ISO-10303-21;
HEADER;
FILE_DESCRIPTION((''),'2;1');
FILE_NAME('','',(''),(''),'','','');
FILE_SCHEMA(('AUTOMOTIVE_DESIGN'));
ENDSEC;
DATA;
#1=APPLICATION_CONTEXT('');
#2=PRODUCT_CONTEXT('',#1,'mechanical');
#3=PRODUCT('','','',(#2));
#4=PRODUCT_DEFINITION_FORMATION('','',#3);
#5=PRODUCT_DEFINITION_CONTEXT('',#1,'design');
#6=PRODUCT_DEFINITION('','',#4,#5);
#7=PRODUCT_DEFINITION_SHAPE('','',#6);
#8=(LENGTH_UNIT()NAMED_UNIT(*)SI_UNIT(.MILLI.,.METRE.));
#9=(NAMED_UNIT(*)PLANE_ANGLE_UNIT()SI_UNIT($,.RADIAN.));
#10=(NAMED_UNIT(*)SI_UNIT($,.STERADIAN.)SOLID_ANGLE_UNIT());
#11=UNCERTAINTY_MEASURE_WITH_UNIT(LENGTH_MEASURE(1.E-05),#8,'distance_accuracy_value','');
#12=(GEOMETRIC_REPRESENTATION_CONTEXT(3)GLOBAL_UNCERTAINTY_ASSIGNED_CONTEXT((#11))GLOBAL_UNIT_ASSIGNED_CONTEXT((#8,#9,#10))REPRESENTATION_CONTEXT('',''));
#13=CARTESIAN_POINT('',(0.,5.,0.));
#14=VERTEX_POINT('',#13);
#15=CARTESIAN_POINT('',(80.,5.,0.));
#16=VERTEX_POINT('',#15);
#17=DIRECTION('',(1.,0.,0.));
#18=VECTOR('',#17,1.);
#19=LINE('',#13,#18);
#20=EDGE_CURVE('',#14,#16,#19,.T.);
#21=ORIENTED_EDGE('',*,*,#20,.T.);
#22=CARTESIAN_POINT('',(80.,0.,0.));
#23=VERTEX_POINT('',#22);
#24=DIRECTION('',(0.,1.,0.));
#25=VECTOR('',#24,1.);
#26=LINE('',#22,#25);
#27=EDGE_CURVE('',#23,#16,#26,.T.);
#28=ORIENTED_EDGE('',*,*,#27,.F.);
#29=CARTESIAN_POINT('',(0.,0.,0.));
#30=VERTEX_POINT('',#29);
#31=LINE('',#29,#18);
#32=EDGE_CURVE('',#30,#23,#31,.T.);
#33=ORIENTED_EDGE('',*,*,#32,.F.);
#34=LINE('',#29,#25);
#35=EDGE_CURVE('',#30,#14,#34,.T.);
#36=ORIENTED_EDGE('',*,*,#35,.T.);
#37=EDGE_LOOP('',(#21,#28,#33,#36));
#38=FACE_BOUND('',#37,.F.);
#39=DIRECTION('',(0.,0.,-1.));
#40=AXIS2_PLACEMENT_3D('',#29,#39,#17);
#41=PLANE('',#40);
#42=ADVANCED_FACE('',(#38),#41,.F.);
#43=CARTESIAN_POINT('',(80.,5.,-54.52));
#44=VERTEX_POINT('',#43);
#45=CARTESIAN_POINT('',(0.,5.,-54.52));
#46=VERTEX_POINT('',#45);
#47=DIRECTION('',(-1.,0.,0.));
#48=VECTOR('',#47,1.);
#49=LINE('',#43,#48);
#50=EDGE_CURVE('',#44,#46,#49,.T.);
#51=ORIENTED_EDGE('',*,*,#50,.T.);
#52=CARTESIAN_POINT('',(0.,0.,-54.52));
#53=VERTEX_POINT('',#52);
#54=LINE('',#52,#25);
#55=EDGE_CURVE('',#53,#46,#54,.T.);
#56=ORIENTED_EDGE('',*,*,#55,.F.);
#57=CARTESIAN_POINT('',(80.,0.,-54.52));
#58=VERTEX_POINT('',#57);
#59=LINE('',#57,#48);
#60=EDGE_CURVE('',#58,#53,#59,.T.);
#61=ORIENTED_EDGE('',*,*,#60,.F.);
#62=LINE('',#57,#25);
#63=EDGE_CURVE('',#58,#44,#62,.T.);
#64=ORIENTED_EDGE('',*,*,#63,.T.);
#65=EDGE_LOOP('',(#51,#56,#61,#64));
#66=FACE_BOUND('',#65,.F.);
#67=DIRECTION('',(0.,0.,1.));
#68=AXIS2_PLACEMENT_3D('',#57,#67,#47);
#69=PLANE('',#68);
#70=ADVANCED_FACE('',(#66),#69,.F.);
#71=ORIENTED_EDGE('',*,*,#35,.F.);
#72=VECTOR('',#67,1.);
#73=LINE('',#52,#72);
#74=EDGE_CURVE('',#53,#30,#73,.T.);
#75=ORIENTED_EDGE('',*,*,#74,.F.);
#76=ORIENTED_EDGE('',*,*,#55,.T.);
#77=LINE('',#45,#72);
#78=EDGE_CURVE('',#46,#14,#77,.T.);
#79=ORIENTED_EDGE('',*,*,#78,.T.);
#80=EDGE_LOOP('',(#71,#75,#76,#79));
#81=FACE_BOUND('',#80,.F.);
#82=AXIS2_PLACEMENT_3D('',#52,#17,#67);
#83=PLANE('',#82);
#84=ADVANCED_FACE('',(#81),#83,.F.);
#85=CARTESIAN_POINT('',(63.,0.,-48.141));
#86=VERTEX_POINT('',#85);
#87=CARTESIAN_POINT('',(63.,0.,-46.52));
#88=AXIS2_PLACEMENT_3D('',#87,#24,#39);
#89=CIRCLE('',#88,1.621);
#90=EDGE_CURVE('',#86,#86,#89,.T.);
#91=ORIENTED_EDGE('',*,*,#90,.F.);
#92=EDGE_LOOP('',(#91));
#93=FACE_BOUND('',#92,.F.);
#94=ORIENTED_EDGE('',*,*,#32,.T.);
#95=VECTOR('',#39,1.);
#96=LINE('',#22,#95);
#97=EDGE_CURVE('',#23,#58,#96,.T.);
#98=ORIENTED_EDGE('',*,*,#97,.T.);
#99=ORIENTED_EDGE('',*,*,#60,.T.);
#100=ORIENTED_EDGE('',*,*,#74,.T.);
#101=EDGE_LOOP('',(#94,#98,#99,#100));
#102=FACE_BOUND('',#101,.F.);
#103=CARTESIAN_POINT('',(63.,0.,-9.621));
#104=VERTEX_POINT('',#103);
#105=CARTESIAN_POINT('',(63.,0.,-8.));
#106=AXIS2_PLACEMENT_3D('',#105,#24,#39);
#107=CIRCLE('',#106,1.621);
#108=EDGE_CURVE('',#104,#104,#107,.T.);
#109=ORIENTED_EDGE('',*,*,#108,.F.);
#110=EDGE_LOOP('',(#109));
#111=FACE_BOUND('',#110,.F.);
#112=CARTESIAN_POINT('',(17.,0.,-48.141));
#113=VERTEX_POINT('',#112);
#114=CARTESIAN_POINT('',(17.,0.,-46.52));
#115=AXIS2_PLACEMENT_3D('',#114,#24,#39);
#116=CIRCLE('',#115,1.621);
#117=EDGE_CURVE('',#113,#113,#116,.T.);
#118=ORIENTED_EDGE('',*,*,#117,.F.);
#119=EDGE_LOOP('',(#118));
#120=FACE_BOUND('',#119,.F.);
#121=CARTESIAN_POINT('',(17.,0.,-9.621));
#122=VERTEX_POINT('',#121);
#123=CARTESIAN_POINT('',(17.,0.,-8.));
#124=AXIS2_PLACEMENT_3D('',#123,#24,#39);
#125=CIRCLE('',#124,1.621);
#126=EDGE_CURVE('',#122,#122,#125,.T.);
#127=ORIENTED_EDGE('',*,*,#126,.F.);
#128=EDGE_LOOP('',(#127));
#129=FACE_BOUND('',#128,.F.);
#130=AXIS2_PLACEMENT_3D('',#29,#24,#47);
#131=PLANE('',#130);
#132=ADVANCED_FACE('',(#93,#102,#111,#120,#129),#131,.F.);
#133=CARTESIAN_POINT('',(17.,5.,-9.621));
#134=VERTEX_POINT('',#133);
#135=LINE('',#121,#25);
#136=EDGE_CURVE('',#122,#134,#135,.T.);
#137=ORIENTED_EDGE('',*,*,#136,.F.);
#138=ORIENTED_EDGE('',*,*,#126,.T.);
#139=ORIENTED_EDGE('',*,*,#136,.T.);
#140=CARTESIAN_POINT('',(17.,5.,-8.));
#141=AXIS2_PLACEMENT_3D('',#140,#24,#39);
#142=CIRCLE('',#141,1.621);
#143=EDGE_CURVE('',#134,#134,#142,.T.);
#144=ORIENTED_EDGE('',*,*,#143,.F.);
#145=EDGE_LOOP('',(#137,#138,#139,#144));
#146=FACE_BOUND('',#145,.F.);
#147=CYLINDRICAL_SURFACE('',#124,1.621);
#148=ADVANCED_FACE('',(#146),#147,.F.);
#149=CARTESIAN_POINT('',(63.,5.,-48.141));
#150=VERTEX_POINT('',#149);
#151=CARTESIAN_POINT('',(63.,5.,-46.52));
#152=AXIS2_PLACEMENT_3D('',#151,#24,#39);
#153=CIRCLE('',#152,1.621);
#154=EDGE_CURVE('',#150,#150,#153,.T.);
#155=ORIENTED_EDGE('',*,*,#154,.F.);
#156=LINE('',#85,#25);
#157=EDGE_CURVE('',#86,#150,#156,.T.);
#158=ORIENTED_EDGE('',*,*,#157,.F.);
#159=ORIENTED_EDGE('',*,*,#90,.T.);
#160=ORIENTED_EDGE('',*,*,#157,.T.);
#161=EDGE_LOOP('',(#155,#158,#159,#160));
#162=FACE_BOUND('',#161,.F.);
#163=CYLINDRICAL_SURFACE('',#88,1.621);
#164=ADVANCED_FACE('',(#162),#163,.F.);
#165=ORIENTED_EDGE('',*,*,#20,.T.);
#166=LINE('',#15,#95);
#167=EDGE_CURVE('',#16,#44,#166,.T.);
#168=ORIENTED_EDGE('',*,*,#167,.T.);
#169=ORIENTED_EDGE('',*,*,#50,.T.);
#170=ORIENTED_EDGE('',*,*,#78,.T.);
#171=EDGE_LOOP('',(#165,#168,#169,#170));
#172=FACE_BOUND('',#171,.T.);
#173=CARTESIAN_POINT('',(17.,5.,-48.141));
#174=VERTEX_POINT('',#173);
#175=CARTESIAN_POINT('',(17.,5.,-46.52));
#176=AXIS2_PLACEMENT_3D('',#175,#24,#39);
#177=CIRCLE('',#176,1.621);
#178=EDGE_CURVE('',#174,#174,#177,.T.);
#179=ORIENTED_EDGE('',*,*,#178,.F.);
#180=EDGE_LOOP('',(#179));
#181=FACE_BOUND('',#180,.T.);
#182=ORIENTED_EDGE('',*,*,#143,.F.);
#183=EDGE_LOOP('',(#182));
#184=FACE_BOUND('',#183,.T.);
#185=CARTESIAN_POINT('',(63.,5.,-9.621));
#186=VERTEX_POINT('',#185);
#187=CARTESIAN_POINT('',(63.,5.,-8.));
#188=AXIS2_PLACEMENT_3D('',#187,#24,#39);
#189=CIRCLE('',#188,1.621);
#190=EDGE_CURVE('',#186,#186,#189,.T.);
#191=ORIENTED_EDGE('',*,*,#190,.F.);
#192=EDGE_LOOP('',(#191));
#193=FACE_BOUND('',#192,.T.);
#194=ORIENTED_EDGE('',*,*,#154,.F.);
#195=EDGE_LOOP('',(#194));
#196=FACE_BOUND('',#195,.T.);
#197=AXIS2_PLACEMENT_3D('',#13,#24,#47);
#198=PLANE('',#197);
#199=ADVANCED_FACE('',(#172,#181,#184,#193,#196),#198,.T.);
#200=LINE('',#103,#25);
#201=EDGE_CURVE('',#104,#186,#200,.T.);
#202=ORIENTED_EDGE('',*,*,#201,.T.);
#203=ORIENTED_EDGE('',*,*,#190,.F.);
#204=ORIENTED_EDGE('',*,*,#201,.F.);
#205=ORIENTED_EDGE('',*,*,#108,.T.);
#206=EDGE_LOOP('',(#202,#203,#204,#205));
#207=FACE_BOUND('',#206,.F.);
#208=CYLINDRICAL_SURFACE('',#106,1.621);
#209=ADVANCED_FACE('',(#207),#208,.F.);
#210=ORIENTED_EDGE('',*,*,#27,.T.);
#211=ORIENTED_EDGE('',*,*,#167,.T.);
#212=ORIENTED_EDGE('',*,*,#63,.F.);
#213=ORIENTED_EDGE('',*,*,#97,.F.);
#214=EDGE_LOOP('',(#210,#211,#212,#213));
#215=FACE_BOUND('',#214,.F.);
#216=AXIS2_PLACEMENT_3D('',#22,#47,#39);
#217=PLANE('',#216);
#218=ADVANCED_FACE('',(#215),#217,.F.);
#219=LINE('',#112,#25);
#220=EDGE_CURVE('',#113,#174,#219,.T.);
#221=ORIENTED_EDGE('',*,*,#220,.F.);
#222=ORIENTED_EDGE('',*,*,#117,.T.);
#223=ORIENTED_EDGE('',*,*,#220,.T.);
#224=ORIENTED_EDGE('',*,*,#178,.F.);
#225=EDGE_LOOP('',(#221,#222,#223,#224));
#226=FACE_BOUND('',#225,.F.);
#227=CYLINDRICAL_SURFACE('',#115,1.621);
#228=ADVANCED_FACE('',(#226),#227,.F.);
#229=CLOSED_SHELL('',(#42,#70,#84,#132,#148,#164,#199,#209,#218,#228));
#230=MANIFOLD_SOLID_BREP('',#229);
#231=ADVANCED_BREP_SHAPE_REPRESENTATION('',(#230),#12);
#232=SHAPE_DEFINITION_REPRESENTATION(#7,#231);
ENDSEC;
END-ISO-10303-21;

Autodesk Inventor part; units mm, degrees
ref_plane "YZ Plane" through (0, 0, 0) normal (1, 0, 0) x (0, 1, 0)
ref_plane "XZ Plane" through (0, 0, 0) normal (0, 1, 0) x (-1, 0, 0)
ref_plane "XY Plane" through (0, 0, 0) normal (0, 0, 1) x (1, 0, 0)
sketch "Boceto1" plane through (0, 0, 0) normal (0, 1, 0) x (-1, 0, 0)
  line L0 (0, 0) -> (-80, 0)
  line L1 (-80, 0) -> (-80, -54.52)
  line L2 (-80, -54.52) -> (0, -54.52)
  line L3 (0, -54.52) -> (0, 0)
  line L4 (-80, -54.52) -> (-63, -54.52) construction
  line L5 (-63, -54.52) -> (-63, -46.52) construction
  line L6 (-63, 0) -> (-63, -8) construction
  line L7 (0, -54.52) -> (-17, -54.52) construction
  line L8 (-17, -54.52) -> (-17, -46.52) construction
  line L9 (-17, 0) -> (-17, -8) construction
  dimension "d0" = 80
  dimension "d1" = 54.52
  dimension "d2" = 17
  dimension "d3" = 8
  dimension "d6" = 8
  dimension "d7" = 17
extrude "Extrusión1" add sketch "Boceto1" along normal blind 5
hole "Agujero2" at (63, 0, -46.52) direction (0, 1, 0) diameter 3.242 end through all thread size "M4x0.7" class "6H" standard "ANSI Metric M Profile"
hole "Agujero3" at (17, 0, -46.52) at (63, 0, -8) at (17, 0, -8) direction (0, 1, 0) diameter 3.242 end through all thread size "M4x0.7" class "6H" standard "ANSI Metric M Profile"
equation "\"Radio_pliegue\" = Grosor"
equation "\"Anchura_desahogo_plegado\" = Grosor"
equation "\"Profundidad_desahogo_plegado\" = 0.5 * Grosor"
equation "\"Tamaño_destalonado\" = 4 * Grosor"
equation "\"Remanente_mínimo\" = 2 * Grosor"
equation "\"Radiodetransición\" = Radio_pliegue"
equation "\"Tamaño_de_radio_de_Jacobi\" = Radio_pliegue"
equation "\"TamañoSeparación\" = Grosor"
equation "\"Grosor\" = 0.5"
properties part number "practica 13.2"
